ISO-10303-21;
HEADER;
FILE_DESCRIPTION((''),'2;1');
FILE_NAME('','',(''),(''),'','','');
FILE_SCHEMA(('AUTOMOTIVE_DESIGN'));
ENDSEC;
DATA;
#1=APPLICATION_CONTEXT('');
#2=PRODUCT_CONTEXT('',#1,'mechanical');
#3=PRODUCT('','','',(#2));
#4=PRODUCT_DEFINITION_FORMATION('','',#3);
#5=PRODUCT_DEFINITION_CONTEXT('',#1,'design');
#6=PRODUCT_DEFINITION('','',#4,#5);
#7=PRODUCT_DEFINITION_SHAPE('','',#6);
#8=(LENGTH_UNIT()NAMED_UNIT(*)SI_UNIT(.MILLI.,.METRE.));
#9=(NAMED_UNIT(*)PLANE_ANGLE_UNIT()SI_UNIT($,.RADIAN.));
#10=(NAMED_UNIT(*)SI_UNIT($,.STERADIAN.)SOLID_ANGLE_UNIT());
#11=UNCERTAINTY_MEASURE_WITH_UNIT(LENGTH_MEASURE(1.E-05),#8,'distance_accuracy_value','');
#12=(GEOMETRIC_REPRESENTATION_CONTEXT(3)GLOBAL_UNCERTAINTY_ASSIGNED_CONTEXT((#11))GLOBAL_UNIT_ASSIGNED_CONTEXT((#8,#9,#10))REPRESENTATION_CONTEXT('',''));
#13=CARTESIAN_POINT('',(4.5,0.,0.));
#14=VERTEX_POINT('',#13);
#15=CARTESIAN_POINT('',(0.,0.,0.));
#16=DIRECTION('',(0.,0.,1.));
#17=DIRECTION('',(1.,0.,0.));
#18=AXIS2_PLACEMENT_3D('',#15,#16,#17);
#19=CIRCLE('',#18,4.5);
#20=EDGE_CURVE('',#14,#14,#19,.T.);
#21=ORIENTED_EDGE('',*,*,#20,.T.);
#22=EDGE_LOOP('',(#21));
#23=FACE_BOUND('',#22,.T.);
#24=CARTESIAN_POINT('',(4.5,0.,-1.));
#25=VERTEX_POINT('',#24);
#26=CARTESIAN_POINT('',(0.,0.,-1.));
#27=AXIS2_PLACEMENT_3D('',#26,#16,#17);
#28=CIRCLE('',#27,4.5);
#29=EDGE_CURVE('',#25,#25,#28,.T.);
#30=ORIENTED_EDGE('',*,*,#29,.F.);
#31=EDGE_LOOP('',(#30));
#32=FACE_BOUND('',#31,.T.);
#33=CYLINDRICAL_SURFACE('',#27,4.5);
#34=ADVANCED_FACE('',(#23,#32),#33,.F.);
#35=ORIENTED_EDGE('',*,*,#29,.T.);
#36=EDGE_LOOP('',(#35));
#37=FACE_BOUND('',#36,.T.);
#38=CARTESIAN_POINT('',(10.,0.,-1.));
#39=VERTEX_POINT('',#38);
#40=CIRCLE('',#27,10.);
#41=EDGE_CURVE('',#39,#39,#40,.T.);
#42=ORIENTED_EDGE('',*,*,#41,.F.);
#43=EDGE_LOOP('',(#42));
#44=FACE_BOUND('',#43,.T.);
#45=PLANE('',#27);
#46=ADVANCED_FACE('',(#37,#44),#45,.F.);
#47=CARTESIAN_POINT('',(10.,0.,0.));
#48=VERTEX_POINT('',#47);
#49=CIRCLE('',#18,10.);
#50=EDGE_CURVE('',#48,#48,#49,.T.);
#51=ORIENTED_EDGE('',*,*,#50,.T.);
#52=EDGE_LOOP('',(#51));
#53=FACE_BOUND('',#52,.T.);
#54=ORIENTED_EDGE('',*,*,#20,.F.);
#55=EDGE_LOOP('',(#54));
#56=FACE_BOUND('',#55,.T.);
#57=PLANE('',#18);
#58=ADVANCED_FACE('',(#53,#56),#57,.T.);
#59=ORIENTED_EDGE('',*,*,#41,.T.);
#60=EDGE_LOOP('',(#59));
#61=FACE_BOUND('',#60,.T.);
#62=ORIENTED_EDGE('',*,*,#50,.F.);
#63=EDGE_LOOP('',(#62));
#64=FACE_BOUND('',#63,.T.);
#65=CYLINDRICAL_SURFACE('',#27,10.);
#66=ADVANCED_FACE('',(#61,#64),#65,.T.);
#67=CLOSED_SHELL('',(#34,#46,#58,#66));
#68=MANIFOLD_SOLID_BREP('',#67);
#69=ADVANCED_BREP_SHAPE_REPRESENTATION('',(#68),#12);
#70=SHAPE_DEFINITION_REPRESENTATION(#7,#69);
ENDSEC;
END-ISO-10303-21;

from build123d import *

# Parameters (mm, degrees)
SKETCH1_R           = 10
SKETCH1_R_2         = 4.5
BOSS_EXTRUDE1_DEPTH = 1


with BuildPart() as part:
    # Sketch1 → Boss-Extrude1 (new body)
    with BuildSketch(Plane.XY):
        Circle(SKETCH1_R)
        Circle(SKETCH1_R_2, mode=Mode.SUBTRACT)
    extrude(amount=-BOSS_EXTRUDE1_DEPTH)


solid = part.part
